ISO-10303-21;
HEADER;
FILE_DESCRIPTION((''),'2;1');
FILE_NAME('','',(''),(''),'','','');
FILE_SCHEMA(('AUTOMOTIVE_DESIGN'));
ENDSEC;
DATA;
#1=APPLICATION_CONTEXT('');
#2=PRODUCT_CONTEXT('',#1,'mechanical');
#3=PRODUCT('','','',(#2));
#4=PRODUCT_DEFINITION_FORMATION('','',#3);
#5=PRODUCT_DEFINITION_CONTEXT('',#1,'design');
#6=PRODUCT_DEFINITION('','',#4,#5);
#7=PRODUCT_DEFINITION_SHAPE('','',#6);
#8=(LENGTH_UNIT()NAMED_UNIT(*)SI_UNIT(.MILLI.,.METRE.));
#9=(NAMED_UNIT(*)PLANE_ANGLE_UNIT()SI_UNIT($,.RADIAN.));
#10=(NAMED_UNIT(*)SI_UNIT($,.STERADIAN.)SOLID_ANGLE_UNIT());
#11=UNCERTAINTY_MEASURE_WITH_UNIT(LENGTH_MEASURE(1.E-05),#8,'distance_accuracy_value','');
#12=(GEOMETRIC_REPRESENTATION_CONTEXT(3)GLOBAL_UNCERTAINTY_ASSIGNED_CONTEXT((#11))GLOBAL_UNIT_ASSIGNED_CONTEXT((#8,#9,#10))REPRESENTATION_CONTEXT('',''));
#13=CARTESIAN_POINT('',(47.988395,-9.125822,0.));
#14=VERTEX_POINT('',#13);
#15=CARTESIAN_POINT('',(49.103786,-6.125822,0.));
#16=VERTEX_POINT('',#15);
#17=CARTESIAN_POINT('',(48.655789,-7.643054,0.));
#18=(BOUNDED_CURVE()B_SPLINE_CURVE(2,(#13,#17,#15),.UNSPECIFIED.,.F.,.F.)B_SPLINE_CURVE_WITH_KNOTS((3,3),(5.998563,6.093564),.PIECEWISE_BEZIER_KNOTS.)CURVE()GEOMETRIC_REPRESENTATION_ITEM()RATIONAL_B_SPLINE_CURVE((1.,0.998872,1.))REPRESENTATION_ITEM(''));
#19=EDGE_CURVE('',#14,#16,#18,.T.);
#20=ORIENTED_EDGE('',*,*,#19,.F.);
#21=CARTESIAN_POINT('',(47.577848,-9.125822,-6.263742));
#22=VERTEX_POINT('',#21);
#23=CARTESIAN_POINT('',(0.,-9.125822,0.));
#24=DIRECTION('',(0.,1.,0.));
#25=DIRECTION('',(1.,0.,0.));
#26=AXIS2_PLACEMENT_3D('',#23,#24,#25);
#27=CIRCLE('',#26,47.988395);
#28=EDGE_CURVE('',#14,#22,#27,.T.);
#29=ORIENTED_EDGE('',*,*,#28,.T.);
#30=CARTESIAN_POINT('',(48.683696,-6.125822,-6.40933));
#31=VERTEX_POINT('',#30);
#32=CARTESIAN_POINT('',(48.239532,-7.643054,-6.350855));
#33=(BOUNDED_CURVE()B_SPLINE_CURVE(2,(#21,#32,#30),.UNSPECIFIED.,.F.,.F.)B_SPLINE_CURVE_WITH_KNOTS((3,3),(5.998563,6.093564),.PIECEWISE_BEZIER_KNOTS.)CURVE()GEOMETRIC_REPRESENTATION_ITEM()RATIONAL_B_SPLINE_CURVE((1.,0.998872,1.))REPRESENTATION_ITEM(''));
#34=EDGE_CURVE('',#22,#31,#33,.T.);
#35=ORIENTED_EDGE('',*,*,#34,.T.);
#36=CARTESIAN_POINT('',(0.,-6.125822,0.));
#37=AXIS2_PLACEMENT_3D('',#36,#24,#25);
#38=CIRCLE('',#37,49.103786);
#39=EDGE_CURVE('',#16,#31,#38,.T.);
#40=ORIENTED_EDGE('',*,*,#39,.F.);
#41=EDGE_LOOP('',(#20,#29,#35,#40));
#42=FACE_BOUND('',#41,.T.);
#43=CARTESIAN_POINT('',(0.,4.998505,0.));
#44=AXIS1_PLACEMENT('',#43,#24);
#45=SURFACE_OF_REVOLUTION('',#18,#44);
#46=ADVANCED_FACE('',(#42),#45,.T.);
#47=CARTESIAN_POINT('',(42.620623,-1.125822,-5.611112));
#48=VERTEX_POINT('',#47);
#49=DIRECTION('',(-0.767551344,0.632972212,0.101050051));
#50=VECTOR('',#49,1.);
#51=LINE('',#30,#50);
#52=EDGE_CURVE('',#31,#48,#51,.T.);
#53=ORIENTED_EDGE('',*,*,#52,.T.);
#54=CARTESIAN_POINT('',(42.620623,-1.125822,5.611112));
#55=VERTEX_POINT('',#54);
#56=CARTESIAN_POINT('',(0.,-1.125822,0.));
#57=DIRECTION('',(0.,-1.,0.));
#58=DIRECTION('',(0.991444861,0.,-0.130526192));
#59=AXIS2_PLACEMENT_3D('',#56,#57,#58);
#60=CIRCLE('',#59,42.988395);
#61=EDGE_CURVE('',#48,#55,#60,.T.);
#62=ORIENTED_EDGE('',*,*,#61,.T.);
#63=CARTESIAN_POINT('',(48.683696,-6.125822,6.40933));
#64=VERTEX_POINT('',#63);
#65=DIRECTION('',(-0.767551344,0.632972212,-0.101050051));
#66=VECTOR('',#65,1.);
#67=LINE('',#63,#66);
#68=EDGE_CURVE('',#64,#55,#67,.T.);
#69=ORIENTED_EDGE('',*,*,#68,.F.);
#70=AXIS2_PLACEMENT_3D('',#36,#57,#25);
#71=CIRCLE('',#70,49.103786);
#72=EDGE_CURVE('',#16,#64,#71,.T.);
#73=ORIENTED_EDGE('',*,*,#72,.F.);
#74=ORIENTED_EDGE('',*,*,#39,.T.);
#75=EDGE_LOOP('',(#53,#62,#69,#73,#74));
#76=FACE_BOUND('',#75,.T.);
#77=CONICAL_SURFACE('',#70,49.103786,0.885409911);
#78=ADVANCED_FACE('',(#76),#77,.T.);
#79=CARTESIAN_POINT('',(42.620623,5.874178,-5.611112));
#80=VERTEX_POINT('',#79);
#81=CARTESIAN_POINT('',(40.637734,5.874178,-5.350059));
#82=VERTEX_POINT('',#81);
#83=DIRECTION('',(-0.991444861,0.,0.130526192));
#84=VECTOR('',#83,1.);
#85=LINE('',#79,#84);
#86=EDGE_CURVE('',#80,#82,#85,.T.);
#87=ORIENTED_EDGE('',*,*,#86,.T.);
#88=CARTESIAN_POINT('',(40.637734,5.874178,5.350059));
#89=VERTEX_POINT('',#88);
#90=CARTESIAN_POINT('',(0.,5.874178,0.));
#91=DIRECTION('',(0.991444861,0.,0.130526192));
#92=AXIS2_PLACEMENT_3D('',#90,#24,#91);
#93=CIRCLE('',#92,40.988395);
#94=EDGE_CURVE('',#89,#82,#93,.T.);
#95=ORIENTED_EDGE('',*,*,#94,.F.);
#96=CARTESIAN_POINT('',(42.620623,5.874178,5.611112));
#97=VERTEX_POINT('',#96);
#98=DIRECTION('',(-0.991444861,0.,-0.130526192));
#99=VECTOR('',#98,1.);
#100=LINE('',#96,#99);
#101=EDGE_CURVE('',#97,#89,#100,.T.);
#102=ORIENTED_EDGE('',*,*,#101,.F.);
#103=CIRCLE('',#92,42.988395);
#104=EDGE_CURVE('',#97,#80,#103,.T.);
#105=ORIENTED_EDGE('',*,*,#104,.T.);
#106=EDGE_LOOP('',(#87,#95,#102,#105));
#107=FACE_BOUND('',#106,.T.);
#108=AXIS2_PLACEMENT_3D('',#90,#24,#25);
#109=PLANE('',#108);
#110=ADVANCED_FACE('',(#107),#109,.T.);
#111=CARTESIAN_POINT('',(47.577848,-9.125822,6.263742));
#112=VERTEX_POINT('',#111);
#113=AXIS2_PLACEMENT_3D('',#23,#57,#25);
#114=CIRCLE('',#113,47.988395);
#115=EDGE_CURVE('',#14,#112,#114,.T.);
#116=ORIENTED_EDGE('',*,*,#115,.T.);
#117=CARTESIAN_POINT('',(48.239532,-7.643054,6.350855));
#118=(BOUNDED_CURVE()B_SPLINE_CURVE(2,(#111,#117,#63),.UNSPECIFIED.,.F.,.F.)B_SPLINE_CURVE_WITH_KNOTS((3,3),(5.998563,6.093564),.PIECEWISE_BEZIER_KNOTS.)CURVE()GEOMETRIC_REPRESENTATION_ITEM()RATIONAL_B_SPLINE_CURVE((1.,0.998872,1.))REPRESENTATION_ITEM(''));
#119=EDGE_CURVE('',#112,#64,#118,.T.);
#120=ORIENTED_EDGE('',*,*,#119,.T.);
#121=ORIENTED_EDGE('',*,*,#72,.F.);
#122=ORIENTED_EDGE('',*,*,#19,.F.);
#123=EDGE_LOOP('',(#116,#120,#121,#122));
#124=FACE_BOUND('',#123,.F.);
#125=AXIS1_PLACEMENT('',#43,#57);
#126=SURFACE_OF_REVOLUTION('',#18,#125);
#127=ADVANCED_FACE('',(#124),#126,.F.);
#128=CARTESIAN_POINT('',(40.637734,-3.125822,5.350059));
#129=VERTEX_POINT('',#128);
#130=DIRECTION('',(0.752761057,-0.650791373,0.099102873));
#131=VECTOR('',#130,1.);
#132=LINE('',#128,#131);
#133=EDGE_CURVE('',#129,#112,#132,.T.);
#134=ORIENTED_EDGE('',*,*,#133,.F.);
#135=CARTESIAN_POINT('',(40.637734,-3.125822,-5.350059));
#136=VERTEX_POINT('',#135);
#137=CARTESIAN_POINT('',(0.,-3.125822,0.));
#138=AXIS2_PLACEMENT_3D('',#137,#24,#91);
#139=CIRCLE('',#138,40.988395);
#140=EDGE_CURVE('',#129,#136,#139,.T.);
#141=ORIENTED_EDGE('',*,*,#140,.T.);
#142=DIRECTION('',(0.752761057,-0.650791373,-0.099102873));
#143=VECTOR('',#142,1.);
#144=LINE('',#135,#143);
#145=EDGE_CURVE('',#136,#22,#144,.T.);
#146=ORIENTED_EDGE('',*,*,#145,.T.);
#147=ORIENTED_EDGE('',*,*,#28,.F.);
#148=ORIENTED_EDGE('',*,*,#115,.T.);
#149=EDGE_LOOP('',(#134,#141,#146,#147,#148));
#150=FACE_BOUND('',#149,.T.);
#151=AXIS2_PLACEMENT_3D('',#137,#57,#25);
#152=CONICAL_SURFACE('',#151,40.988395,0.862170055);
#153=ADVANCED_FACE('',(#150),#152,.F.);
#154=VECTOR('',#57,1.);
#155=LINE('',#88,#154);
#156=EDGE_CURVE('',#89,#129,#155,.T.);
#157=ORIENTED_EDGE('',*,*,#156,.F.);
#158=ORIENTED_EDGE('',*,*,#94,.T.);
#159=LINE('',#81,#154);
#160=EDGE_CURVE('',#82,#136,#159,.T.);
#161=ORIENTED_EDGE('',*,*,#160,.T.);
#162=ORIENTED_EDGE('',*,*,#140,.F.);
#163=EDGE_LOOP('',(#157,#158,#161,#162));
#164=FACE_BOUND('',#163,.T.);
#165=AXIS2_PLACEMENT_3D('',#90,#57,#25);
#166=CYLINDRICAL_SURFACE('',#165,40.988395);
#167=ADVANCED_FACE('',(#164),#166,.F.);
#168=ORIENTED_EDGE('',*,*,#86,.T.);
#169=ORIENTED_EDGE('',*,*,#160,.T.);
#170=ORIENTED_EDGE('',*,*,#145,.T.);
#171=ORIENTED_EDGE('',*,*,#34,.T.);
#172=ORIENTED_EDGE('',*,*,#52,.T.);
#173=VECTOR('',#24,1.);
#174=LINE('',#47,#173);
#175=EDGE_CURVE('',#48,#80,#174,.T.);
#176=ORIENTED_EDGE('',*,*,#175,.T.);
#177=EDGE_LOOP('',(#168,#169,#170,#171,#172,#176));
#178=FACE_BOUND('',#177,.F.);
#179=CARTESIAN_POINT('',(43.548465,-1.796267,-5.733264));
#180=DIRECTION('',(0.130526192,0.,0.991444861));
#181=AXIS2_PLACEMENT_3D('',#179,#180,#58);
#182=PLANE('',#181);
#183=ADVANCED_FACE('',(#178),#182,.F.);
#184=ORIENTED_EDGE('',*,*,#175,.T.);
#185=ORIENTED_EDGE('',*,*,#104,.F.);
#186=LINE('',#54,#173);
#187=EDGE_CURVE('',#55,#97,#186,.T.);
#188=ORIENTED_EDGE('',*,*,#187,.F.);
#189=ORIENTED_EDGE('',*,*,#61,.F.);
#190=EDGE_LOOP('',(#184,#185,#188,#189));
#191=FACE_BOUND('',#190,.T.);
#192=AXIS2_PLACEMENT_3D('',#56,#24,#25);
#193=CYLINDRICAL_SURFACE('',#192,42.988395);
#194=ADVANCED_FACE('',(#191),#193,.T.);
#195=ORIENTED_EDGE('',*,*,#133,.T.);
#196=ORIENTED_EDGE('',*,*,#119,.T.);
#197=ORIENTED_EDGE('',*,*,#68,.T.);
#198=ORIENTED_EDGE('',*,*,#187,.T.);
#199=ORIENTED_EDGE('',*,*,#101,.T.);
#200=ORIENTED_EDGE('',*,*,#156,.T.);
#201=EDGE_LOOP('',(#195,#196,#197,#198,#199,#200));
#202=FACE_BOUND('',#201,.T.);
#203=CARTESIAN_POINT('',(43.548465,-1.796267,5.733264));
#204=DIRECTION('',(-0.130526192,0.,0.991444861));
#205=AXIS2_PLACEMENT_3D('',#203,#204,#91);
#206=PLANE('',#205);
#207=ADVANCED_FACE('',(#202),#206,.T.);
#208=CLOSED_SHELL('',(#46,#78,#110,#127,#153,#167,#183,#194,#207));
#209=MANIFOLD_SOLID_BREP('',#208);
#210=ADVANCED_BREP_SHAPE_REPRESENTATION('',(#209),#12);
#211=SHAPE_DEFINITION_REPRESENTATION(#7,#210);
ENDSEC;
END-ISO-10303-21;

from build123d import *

# Parameters (mm, degrees)
F1_ANGLE = 15


with BuildPart() as f1:
    # F0 (on Top) → F1 (revolve, symmetric)
    with BuildSketch(Plane.XY) as f1_sk:
        with BuildLine():
            Line((40.988395, -3.125822), (47.988395, -9.125822))
            add(Edge.make_bspline(
                [(47.988395, -9.125822), (48.655789, -7.643054), (49.103786, -6.125822)],
                knots=[5.998563, 5.998563, 5.998563, 6.093564, 6.093564, 6.093564], degree=2, weights=[1, 0.998872, 1]))
            Line((49.103786, -6.125822), (42.988395, -1.125822))
            Line((42.988395, -1.125822), (42.988395, 5.874178))
            Line((42.988395, 5.874178), (40.988395, 5.874178))
            Line((40.988395, 5.874178), (40.988395, -3.125822))
        make_face()
    revolve(axis=Axis((0, 4.998505, 0), (0, -1, 0)), revolution_arc=F1_ANGLE / 2)
    revolve(f1_sk.sketch, axis=Axis((0, 4.998505, 0), (0, 1, 0)), revolution_arc=F1_ANGLE / 2)


solid = f1.part
